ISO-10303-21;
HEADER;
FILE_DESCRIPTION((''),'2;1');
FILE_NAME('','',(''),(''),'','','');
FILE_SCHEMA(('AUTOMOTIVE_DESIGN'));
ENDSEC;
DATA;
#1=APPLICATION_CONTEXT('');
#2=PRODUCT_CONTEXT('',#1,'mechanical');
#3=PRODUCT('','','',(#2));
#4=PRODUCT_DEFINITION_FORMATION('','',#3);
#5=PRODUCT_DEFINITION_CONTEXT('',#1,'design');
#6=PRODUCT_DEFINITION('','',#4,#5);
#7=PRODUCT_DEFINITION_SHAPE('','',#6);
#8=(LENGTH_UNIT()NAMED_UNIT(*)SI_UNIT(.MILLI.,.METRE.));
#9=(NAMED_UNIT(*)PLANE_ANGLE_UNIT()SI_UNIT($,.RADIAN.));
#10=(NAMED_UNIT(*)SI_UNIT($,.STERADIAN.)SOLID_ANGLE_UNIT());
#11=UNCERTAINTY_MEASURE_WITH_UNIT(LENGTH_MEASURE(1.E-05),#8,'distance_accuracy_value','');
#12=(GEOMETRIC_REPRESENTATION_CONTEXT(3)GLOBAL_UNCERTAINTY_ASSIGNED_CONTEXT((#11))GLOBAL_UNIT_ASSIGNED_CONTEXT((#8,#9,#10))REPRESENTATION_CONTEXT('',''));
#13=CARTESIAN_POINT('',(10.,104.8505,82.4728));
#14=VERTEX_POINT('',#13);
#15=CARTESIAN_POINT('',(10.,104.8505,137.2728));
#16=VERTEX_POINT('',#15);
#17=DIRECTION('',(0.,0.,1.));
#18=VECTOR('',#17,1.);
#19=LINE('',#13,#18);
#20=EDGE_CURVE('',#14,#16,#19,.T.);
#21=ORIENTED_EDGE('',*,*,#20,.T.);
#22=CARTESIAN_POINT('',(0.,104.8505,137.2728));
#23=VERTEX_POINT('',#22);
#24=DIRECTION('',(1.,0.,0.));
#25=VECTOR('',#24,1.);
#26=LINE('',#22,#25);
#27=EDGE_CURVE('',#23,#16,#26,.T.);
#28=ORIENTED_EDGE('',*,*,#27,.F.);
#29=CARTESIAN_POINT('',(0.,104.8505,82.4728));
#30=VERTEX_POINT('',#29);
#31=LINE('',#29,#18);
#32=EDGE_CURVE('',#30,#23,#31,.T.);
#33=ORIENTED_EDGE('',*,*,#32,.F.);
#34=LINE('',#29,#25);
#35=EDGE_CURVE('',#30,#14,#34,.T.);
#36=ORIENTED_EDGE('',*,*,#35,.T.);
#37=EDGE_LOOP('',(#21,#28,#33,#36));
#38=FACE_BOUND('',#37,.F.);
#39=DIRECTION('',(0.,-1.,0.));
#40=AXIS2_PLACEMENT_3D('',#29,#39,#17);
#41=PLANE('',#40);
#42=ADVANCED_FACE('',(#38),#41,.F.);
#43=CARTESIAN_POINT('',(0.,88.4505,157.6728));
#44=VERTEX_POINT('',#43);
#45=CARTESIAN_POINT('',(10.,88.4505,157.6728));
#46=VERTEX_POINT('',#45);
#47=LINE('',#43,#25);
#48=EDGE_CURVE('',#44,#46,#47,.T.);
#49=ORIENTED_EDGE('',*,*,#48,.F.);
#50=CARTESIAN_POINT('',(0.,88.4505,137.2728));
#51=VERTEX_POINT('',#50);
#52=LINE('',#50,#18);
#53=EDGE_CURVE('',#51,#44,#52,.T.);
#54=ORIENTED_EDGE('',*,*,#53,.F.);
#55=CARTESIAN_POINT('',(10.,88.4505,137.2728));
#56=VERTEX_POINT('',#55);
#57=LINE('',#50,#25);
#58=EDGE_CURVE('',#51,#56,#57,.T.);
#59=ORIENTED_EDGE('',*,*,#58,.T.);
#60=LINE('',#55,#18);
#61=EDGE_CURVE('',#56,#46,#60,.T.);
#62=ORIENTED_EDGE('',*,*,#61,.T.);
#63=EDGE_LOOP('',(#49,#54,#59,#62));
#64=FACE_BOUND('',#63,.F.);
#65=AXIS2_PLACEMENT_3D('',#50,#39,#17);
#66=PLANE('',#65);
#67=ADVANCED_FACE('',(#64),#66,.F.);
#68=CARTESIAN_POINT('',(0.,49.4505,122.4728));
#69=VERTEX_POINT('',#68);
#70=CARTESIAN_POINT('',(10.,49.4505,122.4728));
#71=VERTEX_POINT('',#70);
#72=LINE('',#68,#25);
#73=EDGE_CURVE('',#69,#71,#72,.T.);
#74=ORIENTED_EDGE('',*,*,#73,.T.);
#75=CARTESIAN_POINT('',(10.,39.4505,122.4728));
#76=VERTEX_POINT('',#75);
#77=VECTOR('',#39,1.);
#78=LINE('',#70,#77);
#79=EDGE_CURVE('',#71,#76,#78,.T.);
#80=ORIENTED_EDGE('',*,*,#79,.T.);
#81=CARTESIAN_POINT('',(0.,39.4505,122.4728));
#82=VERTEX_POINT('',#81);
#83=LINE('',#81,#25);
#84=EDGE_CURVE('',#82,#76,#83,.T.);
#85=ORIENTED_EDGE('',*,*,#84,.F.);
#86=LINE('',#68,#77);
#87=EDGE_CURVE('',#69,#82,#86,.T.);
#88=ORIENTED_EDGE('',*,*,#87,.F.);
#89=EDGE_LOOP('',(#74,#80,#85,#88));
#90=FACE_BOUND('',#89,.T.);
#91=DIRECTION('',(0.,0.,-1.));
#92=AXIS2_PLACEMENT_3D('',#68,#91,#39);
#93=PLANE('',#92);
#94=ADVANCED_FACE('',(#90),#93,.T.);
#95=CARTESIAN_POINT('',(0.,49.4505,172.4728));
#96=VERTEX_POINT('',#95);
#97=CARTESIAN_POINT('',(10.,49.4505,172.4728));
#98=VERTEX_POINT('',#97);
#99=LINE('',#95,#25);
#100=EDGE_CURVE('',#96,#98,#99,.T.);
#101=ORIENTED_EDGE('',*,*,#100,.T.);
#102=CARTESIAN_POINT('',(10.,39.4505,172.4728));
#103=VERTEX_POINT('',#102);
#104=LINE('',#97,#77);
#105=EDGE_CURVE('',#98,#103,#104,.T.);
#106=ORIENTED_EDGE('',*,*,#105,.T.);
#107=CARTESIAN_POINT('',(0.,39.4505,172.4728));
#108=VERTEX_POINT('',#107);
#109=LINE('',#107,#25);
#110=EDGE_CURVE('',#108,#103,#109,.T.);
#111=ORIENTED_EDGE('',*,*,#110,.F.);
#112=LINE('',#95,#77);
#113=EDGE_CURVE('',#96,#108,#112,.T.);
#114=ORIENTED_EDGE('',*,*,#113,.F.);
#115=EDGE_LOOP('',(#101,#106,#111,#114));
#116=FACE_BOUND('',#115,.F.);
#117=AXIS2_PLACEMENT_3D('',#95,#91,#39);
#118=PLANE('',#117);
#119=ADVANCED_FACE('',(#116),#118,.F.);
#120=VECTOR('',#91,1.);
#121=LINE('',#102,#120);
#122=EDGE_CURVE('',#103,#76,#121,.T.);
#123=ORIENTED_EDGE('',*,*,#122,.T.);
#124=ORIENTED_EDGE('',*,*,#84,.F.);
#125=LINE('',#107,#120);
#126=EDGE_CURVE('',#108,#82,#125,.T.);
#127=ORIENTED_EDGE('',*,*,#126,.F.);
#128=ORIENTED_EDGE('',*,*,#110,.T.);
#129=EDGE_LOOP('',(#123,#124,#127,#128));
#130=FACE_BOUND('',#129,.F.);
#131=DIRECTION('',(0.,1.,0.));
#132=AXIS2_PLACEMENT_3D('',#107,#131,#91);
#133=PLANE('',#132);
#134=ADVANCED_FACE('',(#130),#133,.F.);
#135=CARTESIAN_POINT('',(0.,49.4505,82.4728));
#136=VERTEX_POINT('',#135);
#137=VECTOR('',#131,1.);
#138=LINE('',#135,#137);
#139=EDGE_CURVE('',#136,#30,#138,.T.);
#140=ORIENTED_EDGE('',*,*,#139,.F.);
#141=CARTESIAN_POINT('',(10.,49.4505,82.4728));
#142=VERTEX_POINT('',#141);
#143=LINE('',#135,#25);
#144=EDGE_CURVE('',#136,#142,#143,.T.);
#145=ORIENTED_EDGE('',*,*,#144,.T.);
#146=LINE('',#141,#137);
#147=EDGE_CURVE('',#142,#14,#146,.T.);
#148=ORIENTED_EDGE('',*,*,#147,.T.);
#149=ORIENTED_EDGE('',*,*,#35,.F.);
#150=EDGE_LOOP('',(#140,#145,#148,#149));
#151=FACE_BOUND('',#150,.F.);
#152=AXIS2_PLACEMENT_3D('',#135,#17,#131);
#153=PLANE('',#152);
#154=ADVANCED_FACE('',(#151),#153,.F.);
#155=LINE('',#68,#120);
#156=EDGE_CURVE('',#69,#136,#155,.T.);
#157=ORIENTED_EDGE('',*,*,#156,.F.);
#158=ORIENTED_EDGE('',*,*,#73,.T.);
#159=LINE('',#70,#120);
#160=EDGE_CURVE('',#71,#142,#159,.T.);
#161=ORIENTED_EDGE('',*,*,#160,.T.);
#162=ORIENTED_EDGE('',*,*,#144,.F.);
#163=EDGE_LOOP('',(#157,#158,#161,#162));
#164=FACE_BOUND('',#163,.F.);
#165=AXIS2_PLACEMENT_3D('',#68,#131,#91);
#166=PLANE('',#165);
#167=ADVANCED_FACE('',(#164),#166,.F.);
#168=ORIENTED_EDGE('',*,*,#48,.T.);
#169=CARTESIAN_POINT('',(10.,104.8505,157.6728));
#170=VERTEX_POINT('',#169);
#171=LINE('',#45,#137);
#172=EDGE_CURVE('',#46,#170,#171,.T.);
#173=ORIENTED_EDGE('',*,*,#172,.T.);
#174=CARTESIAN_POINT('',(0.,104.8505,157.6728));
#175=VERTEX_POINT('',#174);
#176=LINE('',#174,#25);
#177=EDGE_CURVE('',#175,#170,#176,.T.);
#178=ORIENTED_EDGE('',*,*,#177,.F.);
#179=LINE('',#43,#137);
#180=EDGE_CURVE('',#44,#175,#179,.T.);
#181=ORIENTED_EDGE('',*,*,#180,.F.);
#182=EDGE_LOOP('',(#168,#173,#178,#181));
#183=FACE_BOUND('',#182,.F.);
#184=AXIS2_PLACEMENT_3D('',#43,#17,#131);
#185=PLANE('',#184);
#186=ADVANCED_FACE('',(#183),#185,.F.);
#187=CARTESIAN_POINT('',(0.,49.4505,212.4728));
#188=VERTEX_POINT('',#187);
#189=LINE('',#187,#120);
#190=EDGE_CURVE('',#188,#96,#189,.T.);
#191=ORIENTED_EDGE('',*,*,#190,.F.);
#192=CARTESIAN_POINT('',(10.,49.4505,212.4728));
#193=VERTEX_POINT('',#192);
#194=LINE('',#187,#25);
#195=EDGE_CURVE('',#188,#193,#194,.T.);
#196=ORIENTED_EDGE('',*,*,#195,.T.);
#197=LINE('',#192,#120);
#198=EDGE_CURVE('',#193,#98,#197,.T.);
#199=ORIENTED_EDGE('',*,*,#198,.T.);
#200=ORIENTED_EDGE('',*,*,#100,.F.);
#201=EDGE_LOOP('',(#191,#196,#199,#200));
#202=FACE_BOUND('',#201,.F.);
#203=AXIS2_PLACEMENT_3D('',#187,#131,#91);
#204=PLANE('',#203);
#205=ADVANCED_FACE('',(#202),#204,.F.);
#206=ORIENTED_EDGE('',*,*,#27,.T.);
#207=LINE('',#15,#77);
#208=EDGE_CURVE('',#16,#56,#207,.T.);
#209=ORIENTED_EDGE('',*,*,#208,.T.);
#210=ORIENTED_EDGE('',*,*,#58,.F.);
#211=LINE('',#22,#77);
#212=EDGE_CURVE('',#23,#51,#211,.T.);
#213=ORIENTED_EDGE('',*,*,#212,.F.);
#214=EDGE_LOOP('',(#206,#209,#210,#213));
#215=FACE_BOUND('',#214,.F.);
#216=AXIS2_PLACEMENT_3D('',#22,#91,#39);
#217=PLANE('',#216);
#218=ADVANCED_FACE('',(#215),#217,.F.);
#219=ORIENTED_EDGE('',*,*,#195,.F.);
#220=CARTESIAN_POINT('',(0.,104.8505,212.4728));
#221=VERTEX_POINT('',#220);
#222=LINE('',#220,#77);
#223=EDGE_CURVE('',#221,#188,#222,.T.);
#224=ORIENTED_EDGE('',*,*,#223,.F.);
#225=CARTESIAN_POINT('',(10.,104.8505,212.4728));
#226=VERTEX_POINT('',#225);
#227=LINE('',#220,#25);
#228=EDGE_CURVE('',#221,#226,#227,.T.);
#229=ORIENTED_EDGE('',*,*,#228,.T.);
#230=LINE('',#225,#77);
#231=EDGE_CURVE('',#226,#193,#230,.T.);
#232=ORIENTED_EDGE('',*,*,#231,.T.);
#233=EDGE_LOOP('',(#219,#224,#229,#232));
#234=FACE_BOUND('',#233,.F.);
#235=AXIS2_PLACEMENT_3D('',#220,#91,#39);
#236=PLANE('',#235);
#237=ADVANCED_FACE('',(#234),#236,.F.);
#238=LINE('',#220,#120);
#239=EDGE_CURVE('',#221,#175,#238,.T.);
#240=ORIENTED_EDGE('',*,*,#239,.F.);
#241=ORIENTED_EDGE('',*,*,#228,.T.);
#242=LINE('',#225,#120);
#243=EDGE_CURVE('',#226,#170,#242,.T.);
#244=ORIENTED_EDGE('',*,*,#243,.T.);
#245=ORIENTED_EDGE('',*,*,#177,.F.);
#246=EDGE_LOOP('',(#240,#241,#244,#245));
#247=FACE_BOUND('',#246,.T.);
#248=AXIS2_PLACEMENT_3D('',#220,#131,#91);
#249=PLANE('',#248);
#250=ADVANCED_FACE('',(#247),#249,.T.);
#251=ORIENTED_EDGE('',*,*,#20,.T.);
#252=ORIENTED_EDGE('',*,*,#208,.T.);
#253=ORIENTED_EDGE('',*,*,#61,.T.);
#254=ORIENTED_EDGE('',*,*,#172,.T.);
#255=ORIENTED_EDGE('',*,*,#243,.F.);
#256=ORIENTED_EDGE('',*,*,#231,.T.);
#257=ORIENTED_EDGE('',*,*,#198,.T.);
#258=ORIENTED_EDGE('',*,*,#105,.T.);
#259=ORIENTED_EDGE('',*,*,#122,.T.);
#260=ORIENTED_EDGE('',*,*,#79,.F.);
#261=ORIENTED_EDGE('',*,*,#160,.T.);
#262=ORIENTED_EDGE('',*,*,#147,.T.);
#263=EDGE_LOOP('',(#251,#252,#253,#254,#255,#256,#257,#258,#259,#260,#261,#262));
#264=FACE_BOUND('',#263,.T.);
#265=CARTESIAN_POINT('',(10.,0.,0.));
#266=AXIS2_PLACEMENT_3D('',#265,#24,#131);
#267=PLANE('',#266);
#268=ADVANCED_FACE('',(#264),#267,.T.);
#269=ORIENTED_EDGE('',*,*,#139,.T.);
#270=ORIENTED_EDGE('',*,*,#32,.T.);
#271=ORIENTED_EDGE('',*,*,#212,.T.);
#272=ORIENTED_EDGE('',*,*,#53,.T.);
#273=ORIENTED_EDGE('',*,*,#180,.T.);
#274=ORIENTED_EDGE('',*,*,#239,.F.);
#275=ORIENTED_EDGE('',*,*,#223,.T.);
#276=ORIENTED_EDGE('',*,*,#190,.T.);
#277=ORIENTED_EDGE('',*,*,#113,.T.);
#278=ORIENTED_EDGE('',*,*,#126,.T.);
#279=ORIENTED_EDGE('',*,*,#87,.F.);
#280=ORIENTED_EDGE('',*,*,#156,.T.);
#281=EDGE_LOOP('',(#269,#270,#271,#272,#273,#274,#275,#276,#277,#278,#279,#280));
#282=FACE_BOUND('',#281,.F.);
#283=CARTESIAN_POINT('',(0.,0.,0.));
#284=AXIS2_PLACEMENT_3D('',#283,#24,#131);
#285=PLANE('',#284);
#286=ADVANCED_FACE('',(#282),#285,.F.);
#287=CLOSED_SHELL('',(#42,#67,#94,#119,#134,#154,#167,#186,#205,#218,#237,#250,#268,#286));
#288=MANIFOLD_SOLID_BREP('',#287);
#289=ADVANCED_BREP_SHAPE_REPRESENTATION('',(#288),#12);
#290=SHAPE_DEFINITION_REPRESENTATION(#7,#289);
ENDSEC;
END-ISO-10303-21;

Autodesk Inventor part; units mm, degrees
ref_plane "YZ Plane" through (0, 0, 0) normal (1, 0, 0) x (0, 1, 0)
ref_plane "XZ Plane" through (0, 0, 0) normal (0, 1, 0) x (-1, 0, 0)
ref_plane "XY Plane" through (0, 0, 0) normal (0, 0, 1) x (1, 0, 0)
sketch "Sketch1" plane through (0, 0, 0) normal (1, 0, 0) x (0, 1, 0)
  line L0 (104.8505, 212.4728) -> (49.4505, 212.4728)
  line L1 (49.4505, 212.4728) -> (49.4505, 172.4728)
  line L2 (49.4505, 122.4728) -> (49.4505, 82.4728)
  line L3 (49.4505, 82.4728) -> (104.8505, 82.4728)
  line L4 (104.8505, 82.4728) -> (104.8505, 137.2728)
  line L5 (104.8505, 137.2728) -> (88.4505, 137.2728)
  line L6 (88.4505, 137.2728) -> (88.4505, 157.6728)
  line L7 (88.4505, 157.6728) -> (104.8505, 157.6728)
  line L8 (104.8505, 212.4728) -> (104.8505, 157.6728)
  line L9 (39.4505, 147.4728) -> (88.4505, 147.4728) construction
  line L10 (39.4505, 172.4728) -> (39.4505, 122.4728)
  line L11 (49.4505, 122.4728) -> (39.4505, 122.4728)
  line L12 (49.4505, 172.4728) -> (39.4505, 172.4728)
  point P0 (0, 0)
  dimension "d0" = 10
  dimension "d3" = 55.4
  dimension "d4" = 130
  dimension "d8" = 20.4
  dimension "d9" = 50
  dimension "d10" = 16.4
extrude "Extrusion1" add sketch "Sketch1" along normal blind 10
equation "\"d0\" = Width"
equation "\"d5\" = Width"
equation "\"Width\" = 10"
properties part number "BackWall" material "ABS Plastic"
